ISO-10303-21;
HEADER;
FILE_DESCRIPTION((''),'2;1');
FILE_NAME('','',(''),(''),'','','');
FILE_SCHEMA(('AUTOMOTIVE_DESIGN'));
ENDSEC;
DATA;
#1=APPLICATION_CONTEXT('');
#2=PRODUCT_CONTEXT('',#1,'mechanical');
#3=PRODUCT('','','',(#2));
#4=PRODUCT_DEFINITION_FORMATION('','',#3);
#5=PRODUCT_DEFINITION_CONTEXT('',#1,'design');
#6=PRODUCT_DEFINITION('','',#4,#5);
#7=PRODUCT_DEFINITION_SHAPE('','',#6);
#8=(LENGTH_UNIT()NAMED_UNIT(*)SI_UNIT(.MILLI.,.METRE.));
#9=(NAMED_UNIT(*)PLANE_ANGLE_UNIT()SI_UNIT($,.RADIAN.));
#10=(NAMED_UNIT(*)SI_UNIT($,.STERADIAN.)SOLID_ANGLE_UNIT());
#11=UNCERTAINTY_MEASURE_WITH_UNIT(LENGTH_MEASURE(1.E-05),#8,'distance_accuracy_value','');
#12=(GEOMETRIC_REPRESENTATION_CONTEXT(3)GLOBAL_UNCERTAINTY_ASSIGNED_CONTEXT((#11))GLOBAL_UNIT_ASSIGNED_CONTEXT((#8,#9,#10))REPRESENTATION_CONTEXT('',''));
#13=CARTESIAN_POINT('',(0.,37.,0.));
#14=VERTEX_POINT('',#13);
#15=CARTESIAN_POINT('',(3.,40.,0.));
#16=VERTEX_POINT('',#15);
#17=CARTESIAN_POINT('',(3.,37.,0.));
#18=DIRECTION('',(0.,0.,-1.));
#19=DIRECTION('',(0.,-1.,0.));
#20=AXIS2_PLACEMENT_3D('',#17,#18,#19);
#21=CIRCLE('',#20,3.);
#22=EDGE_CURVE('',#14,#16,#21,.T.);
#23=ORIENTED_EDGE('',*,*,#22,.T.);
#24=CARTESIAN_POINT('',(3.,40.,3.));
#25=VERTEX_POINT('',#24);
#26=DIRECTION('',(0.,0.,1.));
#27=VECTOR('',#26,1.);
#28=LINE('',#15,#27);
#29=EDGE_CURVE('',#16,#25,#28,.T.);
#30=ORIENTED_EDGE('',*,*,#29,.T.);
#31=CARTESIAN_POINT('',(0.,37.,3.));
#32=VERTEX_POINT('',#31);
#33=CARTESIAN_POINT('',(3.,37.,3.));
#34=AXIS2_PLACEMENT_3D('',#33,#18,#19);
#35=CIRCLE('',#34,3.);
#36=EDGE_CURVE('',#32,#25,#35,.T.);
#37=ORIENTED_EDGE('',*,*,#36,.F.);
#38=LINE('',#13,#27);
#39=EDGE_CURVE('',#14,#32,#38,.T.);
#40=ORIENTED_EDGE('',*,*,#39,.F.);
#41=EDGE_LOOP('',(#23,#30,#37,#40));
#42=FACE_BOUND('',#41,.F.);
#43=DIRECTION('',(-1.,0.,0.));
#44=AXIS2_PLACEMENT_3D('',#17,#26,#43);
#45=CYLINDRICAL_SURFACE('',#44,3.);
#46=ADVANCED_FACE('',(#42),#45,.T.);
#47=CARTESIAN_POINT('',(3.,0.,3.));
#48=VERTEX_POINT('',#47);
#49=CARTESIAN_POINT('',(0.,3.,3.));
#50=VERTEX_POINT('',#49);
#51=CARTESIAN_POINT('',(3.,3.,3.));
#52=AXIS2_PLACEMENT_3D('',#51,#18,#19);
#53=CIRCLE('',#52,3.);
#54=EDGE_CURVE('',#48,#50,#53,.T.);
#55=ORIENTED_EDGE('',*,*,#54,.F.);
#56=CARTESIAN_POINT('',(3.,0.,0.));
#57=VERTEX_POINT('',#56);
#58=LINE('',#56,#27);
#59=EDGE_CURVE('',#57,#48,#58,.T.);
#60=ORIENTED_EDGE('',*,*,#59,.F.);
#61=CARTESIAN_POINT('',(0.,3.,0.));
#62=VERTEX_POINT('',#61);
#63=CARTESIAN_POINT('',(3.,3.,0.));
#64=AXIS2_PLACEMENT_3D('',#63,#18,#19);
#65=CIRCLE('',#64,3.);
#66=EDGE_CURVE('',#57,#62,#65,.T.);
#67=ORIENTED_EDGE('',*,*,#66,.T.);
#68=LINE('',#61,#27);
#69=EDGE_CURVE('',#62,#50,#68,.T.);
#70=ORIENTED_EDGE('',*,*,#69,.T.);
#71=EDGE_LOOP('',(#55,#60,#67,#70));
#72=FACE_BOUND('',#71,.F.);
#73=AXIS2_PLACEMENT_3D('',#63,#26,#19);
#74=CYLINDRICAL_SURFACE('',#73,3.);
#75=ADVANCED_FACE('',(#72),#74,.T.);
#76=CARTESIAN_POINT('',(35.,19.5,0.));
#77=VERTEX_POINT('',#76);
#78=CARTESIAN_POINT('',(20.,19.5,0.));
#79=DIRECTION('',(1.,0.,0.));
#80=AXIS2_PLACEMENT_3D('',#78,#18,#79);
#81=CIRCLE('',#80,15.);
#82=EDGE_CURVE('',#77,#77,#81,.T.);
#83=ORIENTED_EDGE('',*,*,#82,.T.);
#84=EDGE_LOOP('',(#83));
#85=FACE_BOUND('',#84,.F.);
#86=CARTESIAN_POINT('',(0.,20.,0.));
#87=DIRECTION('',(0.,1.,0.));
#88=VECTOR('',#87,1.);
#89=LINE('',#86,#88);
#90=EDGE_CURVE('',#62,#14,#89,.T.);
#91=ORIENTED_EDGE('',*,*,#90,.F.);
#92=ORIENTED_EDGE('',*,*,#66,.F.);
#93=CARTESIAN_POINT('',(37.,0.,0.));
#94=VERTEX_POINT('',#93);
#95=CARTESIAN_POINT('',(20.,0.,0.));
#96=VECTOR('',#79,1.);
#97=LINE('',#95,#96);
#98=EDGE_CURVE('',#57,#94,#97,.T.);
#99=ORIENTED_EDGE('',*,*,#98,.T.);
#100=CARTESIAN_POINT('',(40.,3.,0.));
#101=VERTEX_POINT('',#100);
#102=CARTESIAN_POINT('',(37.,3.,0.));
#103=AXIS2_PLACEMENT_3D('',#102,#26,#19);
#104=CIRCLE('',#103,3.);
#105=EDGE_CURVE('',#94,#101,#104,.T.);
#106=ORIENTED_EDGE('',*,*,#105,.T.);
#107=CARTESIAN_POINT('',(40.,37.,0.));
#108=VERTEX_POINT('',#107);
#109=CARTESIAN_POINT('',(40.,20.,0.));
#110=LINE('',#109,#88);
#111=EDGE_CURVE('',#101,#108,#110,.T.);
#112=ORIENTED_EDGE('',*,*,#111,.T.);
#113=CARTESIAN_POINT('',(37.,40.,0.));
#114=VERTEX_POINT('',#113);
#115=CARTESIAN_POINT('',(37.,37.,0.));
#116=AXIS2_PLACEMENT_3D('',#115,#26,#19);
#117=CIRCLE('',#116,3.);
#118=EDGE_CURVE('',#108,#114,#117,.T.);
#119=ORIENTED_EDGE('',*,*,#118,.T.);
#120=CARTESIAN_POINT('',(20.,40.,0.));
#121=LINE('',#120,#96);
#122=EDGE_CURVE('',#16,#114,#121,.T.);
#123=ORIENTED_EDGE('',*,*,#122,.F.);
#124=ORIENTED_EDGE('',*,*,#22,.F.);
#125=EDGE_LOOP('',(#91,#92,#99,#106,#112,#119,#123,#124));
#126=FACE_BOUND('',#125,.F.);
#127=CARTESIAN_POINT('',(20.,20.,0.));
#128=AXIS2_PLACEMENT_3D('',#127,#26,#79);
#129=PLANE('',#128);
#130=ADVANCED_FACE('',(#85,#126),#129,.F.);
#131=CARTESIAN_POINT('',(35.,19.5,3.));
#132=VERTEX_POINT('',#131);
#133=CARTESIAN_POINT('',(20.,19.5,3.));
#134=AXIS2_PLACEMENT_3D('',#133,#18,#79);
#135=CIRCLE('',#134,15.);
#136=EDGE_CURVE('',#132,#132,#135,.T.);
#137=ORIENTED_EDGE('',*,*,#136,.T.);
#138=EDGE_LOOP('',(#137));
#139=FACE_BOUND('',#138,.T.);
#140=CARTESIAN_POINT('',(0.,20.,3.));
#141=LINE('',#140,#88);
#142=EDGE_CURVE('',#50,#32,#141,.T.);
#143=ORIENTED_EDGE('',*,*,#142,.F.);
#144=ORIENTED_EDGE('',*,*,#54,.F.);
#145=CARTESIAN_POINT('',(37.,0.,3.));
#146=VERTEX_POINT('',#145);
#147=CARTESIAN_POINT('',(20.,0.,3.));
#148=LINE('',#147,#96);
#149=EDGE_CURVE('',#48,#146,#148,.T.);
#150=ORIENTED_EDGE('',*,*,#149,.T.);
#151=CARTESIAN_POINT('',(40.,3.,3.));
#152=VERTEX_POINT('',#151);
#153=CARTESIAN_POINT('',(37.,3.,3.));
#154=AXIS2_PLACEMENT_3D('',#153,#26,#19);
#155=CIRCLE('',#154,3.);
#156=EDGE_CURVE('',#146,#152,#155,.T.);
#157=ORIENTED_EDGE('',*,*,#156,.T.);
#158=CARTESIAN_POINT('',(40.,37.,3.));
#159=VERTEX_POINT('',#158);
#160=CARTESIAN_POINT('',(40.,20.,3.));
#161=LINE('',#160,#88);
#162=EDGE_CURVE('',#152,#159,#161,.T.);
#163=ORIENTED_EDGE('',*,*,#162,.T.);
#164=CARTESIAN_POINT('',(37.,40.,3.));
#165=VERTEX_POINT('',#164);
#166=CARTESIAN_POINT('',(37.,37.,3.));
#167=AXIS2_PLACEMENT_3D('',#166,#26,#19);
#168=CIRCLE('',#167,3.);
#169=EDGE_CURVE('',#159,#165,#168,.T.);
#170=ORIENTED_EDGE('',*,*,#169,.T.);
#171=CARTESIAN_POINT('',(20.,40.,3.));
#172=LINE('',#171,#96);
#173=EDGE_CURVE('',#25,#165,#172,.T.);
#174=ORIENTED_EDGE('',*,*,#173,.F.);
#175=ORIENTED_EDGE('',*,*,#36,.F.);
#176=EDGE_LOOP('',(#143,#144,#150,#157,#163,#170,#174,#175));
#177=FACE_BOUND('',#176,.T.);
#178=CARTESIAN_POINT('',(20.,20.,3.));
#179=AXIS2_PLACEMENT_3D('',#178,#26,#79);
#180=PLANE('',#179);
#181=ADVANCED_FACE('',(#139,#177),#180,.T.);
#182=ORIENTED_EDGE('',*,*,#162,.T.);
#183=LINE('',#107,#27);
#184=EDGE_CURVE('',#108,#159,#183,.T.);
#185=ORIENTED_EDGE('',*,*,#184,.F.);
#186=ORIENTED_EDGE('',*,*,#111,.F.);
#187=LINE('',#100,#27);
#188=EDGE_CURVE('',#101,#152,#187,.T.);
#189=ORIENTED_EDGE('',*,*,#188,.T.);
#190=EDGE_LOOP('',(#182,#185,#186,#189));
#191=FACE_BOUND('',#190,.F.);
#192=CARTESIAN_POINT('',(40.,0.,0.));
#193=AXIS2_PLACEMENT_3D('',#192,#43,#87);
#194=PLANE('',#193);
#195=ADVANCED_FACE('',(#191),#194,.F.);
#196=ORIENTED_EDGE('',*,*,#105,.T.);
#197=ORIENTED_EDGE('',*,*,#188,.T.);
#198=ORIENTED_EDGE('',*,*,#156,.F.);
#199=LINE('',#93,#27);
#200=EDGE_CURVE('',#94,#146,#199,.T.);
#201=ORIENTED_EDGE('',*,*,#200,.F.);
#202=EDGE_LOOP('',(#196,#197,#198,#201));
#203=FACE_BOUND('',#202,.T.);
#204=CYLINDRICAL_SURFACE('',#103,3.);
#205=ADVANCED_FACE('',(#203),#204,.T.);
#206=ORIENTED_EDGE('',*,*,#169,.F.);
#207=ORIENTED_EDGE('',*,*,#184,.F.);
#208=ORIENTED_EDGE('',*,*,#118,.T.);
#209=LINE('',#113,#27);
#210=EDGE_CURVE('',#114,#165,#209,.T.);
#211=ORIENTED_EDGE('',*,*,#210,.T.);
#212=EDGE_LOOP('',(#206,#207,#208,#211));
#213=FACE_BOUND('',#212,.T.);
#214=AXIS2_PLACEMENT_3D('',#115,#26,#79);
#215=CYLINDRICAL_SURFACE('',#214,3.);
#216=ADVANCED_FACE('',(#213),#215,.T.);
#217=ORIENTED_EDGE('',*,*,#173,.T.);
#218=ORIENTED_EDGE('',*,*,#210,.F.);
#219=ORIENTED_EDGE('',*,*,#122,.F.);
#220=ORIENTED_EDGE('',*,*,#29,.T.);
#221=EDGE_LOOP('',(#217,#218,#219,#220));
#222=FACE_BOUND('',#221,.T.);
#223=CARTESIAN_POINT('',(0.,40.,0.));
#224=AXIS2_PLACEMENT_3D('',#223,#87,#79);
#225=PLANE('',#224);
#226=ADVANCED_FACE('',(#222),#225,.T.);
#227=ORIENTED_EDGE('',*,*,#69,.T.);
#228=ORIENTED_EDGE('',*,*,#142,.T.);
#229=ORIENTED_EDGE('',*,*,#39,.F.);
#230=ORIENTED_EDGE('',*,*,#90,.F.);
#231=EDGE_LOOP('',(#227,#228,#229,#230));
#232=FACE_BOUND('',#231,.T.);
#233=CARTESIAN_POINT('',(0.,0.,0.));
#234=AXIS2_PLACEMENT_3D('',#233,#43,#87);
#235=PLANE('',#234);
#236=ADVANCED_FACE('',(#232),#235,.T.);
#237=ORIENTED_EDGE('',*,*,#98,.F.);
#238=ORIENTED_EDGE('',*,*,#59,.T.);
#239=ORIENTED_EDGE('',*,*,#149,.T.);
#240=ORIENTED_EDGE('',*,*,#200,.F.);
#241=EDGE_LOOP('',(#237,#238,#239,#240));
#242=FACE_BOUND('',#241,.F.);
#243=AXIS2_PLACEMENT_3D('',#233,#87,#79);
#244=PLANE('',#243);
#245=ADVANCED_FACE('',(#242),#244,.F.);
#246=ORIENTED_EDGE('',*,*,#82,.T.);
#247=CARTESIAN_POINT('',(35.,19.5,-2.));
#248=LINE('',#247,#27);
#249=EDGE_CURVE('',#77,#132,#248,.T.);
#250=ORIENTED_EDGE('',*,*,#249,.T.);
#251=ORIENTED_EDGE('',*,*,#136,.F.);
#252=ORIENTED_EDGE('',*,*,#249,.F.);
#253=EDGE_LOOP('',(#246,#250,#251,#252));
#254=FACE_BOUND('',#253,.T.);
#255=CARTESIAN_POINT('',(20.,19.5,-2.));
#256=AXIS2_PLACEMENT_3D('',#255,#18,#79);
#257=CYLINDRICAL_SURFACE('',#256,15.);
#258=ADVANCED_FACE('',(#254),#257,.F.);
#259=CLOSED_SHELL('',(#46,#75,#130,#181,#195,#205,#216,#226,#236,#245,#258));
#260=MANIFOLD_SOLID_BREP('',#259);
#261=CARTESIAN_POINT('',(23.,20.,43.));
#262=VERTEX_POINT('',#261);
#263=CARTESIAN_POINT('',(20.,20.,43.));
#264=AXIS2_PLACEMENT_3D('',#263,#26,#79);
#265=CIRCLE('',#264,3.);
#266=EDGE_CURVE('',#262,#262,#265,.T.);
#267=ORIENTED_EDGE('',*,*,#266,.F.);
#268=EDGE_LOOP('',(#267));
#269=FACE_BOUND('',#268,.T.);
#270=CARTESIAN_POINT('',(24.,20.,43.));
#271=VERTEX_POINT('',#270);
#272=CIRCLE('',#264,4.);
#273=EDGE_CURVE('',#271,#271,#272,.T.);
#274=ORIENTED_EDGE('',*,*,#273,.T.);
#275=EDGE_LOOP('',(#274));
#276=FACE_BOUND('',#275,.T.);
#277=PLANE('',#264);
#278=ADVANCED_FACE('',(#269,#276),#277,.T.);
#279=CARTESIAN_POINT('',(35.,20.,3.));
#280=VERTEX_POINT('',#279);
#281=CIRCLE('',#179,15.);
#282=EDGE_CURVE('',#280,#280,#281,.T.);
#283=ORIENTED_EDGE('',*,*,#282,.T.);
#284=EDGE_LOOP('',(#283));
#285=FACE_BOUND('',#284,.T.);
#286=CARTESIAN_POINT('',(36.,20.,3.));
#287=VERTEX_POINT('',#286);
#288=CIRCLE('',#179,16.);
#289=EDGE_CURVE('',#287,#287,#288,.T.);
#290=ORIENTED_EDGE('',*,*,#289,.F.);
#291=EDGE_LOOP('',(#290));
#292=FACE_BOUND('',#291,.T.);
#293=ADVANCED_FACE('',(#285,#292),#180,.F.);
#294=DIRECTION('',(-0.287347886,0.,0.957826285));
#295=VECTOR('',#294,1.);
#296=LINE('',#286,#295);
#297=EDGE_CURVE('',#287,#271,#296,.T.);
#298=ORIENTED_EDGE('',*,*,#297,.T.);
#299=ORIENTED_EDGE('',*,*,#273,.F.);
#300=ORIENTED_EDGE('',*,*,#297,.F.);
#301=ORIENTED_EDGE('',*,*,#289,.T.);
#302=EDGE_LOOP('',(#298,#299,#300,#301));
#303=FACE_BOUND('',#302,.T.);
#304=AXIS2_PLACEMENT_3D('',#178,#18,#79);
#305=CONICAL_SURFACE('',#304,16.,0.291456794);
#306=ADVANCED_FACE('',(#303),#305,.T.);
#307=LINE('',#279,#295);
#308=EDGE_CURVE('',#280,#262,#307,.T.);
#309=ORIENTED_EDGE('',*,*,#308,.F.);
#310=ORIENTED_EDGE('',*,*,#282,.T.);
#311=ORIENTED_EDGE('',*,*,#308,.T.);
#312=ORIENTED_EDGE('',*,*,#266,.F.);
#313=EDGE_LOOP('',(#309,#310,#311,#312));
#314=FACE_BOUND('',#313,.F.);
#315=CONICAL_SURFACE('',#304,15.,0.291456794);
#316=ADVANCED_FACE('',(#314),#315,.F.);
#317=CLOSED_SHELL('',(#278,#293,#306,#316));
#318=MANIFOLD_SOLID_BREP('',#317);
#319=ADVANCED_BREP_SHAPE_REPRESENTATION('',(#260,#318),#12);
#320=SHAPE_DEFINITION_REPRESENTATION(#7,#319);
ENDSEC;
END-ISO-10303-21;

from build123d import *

# Parameters (mm, degrees)
CYLINDER_R     = 15
CYLINDER_DEPTH = 6
BOX_W          = 40
BOX_H          = 40
BOX_DEPTH      = 3
FILLET_R       = 3
FILLET001_R    = 3
FILLET002_R    = 3
FILLET003_R    = 3


with BuildPart() as con_interior:
    # Cone001 → Cone001 (revolve)
    with BuildSketch(Plane(origin=(20, 20, 3), x_dir=(1, 0, 0), z_dir=(0, -1, 0))):
        Polygon((0, 0), (15, 0), (3, 40), (0, 40), align=None)
    revolve(axis=Axis((20, 20, 3), (0, 0, 1)))


with BuildPart() as cut:
    # Cone → Cone (revolve)
    with BuildSketch(Plane(origin=(20, 20, 3), x_dir=(1, 0, 0), z_dir=(0, -1, 0))):
        Polygon((0, 0), (16, 0), (4, 40), (0, 40), align=None)
    revolve(axis=Axis((20, 20, 3), (0, 0, 1)))

    # Cut: cut Con-interior
    add(con_interior.part, mode=Mode.SUBTRACT)


with BuildPart() as cilindre:
    # Cylinder → Cylinder (new body)
    with BuildSketch(Plane(origin=(20, 19.5, -2), x_dir=(1, 0, 0), z_dir=(0, 0, 1))):
        Circle(CYLINDER_R)
    extrude(amount=CYLINDER_DEPTH)


with BuildPart() as cut001:
    # Box → Box (new body)
    with BuildSketch(Plane.XY):
        with Locations((20, 20)):
            Rectangle(BOX_W, BOX_H)
    extrude(amount=BOX_DEPTH)

    # Fillet
    fillet_edges = [cut001.edges().sort_by_distance(p)[0] for p in [
        (40, 0, 1.5),
    ]]
    fillet(fillet_edges, radius=FILLET_R)

    # Fillet001
    fillet001_edges = [cut001.edges().sort_by_distance(p)[0] for p in [
        (40, 40, 1.5),
    ]]
    fillet(fillet001_edges, radius=FILLET001_R)

    # Fillet002
    fillet002_edges = [cut001.edges().sort_by_distance(p)[0] for p in [
        (0, 0, 1.5),
    ]]
    fillet(fillet002_edges, radius=FILLET002_R)

    # Fillet003
    fillet003_edges = [cut001.edges().sort_by_distance(p)[0] for p in [
        (0, 40, 1.5),
    ]]
    fillet(fillet003_edges, radius=FILLET003_R)

    # Cut001: cut Cilindre
    add(cilindre.part, mode=Mode.SUBTRACT)


solid = Compound([cut.part, cut001.part])
